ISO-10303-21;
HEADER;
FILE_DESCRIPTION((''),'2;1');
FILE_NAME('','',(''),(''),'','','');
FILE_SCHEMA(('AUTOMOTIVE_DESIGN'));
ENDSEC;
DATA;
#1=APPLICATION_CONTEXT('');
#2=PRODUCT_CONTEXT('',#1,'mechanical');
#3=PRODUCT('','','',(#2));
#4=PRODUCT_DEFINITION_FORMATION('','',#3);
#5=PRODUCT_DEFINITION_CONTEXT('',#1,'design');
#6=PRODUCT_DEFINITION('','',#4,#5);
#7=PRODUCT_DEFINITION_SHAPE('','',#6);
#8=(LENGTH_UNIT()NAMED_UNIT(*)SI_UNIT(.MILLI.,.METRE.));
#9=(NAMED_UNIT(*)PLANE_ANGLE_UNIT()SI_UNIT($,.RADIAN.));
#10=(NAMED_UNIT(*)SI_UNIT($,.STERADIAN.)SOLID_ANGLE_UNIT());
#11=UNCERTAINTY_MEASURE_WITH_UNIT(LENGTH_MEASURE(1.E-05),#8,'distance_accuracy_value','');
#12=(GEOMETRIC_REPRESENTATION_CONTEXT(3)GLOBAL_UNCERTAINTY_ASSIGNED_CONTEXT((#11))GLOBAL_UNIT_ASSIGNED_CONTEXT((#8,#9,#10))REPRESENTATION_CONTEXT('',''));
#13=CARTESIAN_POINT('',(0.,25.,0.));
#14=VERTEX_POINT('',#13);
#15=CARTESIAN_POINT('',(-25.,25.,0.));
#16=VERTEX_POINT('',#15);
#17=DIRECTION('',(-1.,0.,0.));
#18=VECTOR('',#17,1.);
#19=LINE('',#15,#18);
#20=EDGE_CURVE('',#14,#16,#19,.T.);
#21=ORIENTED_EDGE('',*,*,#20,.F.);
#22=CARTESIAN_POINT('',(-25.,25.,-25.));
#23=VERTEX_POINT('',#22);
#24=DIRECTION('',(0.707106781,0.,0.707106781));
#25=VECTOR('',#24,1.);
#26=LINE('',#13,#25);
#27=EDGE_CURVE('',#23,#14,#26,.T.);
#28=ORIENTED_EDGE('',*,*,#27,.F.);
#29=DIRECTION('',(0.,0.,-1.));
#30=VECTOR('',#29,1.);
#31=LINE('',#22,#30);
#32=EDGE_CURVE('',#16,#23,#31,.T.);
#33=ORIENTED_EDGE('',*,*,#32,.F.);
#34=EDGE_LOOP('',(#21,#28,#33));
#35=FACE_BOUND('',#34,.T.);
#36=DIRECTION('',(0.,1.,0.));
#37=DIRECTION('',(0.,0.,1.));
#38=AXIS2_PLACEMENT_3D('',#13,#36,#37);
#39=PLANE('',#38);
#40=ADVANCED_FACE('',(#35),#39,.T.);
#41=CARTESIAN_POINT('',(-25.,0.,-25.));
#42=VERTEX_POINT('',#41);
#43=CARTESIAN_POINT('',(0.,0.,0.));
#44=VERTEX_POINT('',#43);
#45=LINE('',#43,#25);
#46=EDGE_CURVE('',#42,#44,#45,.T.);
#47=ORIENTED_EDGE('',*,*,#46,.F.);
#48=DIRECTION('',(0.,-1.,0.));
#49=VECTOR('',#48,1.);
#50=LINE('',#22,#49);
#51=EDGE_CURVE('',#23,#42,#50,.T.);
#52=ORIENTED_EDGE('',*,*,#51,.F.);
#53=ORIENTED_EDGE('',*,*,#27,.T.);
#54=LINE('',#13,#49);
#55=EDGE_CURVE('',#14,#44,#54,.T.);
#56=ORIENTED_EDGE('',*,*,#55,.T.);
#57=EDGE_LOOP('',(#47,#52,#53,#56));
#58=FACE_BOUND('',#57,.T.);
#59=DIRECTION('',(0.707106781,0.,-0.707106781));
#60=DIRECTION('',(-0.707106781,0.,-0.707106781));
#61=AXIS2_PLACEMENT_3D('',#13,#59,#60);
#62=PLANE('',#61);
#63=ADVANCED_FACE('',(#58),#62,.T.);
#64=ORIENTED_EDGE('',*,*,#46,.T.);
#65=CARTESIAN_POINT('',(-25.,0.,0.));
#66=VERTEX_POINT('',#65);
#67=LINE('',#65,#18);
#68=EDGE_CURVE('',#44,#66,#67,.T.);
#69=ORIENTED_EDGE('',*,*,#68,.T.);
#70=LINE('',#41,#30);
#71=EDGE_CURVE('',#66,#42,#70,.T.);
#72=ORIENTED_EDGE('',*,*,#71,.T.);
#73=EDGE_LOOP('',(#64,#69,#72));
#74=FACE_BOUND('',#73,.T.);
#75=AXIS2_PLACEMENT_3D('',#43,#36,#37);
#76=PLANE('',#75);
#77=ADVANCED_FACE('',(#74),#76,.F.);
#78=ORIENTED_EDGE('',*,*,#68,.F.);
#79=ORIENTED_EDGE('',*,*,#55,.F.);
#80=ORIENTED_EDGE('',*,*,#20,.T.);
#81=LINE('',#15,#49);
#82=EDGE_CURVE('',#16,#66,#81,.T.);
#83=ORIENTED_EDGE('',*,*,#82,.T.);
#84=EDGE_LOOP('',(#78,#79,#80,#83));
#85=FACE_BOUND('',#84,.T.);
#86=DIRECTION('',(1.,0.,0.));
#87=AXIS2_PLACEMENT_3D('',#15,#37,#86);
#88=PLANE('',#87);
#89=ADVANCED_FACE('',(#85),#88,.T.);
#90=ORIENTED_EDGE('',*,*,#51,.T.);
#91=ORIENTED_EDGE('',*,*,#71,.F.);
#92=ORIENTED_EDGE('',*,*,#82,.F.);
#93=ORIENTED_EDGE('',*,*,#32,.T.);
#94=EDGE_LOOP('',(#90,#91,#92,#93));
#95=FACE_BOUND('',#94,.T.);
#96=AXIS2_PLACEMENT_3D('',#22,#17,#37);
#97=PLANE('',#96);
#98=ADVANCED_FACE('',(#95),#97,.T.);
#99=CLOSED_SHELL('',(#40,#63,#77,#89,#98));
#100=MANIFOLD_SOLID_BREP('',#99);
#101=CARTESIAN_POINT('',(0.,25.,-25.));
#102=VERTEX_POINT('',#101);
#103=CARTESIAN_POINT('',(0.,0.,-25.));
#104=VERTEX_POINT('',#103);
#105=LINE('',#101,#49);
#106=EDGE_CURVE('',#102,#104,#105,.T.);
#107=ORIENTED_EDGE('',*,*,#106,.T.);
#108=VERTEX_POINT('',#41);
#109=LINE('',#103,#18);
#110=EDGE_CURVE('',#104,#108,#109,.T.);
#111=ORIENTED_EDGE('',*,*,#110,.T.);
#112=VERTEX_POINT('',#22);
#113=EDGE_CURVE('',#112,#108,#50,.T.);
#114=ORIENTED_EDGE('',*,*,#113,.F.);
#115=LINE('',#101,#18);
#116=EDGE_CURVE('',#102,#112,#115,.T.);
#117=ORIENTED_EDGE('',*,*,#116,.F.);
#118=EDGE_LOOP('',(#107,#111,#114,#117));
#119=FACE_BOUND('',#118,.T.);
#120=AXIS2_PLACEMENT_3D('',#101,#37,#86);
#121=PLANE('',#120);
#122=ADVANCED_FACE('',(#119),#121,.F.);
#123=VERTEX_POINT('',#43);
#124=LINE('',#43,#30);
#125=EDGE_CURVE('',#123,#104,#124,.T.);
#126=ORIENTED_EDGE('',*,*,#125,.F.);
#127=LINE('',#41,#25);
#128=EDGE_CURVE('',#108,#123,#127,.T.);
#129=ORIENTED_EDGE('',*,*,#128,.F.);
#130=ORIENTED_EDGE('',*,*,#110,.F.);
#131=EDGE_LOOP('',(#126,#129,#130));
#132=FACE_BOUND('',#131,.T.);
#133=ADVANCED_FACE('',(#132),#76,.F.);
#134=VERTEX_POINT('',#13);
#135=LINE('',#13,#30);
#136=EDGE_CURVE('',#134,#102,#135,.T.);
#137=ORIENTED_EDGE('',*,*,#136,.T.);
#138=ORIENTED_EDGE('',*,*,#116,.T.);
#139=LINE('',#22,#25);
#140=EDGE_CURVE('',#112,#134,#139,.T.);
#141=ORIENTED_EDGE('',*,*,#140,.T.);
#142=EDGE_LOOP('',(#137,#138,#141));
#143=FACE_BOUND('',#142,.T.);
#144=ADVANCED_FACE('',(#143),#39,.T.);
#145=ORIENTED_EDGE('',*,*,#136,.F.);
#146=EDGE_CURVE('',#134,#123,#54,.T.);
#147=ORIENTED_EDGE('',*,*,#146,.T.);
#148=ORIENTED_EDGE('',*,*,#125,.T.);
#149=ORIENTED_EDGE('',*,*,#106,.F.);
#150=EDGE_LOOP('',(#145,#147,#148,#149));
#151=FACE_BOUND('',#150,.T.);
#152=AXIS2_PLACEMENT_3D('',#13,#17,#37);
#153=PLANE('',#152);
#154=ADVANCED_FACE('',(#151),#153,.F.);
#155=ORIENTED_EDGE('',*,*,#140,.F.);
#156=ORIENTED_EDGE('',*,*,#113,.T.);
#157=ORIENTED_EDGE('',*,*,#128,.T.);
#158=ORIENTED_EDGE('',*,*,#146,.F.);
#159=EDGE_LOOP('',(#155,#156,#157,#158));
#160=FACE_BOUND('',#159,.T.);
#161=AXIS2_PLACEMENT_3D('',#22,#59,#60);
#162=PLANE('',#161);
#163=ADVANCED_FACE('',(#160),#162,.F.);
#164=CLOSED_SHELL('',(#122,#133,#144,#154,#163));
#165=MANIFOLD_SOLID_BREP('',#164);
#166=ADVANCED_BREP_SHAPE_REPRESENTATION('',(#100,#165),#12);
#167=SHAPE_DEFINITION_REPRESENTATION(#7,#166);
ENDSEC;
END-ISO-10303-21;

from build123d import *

# Parameters (mm, degrees)
EXTRUDE_1_DEPTH = 25
EXTRUDE_2_DEPTH = 25


with BuildPart() as part:
    # 草图1 → 凸台-拉伸1 (new body)
    with BuildSketch(Plane(origin=(0, 0, 0), x_dir=(1, 0, 0), z_dir=(0, 1, 0))):
        Polygon((0, 0), (0, 25), (-25, 25), align=None)
    extrude(amount=EXTRUDE_1_DEPTH)


with BuildPart() as body_2:
    # 草图2 → 凸台-拉伸2 (new body)
    with BuildSketch(Plane.XZ):
        Polygon((-25, -25), (-25, 0), (0, 0), align=None)
    extrude(amount=-EXTRUDE_2_DEPTH)


solid = Compound([part.part, body_2.part])
